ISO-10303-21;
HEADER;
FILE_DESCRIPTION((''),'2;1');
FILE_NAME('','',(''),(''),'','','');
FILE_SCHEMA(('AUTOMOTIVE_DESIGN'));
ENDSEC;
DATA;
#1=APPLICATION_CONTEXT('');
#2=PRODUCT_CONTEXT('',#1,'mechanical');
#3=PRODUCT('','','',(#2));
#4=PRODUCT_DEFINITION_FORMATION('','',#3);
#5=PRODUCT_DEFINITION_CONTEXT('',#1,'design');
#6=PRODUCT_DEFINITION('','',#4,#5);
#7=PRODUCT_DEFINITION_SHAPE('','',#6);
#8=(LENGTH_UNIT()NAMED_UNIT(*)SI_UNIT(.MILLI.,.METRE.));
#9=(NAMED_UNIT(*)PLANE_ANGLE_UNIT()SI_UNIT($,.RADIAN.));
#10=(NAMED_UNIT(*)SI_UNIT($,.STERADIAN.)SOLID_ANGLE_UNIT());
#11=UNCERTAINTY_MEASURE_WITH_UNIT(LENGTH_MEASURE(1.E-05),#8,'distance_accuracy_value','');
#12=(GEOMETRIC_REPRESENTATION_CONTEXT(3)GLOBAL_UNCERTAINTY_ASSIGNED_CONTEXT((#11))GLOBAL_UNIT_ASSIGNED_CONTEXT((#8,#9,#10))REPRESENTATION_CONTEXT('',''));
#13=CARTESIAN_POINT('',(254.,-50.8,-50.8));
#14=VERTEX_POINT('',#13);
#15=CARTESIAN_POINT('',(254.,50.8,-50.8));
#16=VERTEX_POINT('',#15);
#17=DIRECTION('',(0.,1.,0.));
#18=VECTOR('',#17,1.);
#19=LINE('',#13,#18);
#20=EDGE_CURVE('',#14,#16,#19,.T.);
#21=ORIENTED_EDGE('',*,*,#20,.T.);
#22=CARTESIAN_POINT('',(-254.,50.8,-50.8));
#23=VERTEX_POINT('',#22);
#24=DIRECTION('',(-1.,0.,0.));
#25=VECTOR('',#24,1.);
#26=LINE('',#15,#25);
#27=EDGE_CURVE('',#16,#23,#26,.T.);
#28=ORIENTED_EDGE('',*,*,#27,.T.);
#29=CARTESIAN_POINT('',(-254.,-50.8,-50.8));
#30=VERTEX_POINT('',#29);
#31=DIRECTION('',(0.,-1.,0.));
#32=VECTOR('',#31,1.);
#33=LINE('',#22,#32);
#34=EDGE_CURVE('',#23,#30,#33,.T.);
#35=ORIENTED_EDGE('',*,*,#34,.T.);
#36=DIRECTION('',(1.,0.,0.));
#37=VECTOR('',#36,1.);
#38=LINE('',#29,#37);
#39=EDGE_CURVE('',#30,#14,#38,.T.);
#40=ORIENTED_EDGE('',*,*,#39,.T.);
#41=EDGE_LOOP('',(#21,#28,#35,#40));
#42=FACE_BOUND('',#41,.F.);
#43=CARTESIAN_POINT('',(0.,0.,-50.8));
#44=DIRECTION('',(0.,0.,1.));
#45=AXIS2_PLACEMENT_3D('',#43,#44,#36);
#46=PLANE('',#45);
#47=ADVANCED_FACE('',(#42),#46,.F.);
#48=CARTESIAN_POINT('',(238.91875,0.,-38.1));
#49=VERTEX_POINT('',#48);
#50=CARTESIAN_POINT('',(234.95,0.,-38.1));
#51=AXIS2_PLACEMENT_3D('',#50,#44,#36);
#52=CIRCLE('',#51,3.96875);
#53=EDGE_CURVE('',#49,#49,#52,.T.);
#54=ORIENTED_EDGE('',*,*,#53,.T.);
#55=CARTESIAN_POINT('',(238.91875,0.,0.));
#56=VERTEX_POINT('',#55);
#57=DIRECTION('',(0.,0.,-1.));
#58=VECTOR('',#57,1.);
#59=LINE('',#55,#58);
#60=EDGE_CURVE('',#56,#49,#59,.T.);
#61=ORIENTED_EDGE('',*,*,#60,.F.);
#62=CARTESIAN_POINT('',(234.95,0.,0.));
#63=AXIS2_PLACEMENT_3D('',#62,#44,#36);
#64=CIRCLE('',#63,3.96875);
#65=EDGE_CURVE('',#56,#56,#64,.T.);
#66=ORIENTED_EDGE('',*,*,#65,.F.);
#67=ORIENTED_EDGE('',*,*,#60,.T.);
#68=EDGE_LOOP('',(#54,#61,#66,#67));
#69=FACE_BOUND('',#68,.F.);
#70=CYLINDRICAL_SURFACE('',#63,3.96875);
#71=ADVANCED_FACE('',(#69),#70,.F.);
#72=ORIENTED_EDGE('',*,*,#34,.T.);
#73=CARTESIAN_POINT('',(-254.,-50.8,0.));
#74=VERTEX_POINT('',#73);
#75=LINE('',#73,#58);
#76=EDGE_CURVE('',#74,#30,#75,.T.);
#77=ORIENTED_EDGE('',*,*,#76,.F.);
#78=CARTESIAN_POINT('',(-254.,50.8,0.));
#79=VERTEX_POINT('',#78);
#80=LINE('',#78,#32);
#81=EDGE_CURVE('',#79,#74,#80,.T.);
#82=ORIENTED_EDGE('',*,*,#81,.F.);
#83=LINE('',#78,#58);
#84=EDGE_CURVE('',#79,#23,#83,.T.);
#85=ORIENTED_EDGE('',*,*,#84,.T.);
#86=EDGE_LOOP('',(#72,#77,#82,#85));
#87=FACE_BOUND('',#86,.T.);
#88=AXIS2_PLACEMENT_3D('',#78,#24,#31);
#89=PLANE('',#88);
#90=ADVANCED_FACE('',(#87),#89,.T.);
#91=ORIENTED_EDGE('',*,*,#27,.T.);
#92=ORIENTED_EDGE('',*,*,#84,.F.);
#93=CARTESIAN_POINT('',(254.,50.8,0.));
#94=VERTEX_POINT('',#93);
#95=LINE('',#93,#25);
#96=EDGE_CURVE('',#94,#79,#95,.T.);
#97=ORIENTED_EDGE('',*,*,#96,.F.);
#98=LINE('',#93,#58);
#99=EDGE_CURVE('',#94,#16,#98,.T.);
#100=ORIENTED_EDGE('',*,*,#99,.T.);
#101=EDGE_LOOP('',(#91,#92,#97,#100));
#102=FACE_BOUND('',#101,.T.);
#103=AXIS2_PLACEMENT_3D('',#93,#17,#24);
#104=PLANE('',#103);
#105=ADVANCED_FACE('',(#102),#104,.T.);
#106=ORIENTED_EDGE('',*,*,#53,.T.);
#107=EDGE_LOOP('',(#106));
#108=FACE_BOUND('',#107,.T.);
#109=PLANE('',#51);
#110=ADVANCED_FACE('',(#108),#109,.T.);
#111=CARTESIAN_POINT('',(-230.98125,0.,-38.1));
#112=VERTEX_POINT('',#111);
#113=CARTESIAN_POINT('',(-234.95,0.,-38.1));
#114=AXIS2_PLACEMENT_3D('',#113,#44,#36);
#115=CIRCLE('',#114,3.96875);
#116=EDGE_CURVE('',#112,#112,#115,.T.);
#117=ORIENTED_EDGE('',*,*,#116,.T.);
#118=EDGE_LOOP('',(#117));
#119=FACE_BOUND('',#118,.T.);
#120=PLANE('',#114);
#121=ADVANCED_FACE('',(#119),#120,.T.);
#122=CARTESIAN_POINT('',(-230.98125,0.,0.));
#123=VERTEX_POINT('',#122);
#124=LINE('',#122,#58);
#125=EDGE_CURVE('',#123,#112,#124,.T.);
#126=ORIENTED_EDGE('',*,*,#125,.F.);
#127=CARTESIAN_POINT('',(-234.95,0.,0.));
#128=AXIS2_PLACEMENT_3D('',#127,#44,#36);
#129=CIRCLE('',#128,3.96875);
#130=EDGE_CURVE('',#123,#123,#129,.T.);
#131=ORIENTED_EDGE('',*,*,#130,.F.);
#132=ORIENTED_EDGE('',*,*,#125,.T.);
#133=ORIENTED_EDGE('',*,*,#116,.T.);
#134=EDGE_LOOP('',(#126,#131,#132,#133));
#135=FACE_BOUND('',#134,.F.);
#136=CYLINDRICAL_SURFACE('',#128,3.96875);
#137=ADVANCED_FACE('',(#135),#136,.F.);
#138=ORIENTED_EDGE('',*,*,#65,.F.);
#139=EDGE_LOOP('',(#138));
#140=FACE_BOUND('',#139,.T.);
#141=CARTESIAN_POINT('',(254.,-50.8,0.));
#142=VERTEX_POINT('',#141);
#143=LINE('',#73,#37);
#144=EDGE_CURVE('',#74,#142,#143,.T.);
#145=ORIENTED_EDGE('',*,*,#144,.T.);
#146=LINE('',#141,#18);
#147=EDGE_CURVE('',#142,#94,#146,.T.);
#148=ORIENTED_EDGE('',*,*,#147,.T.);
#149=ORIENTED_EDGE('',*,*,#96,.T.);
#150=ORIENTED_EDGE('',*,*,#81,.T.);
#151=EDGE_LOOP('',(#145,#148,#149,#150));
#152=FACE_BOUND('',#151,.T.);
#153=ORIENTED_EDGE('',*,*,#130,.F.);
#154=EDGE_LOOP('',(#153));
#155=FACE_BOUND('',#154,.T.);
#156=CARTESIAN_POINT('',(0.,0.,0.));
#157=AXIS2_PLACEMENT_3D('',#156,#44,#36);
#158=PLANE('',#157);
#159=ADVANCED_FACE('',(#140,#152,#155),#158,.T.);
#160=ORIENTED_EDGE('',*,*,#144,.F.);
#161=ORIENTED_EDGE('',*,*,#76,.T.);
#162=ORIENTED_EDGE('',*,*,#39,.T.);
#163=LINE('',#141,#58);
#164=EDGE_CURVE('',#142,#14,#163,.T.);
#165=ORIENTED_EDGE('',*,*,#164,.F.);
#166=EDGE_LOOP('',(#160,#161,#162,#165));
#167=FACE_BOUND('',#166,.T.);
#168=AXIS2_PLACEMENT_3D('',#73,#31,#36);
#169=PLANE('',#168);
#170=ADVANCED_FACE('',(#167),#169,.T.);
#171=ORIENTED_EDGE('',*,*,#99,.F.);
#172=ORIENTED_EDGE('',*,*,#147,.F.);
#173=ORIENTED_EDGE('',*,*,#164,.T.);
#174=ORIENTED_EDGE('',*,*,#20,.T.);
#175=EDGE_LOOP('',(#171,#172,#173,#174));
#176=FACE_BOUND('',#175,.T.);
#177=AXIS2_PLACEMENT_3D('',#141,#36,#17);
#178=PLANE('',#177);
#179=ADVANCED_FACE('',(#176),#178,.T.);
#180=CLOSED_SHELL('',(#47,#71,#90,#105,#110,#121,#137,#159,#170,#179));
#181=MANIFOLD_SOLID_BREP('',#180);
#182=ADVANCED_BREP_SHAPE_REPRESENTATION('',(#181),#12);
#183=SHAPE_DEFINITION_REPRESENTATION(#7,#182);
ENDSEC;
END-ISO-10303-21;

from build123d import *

# Parameters (mm, degrees)
F1_DEPTH = 50.8
F2_R     = 3.96875
F3_DEPTH = 38.1


with BuildPart() as f1:
    # F0 (on Top) → F1 (new body)
    with BuildSketch(Plane.XY):
        Polygon((254, -50.8), (254, 50.8), (0, 50.8), (-254, 50.8), (-254, -50.8), align=None)
    extrude(amount=-F1_DEPTH)

    # F2 (on Top) → F3 (cut)
    with BuildSketch(Plane.XY):
        with Locations((-234.95, 0)):
            Circle(F2_R)
        with Locations((234.95, 0)):
            Circle(F2_R)
    extrude(amount=-F3_DEPTH, mode=Mode.SUBTRACT)


solid = f1.part
